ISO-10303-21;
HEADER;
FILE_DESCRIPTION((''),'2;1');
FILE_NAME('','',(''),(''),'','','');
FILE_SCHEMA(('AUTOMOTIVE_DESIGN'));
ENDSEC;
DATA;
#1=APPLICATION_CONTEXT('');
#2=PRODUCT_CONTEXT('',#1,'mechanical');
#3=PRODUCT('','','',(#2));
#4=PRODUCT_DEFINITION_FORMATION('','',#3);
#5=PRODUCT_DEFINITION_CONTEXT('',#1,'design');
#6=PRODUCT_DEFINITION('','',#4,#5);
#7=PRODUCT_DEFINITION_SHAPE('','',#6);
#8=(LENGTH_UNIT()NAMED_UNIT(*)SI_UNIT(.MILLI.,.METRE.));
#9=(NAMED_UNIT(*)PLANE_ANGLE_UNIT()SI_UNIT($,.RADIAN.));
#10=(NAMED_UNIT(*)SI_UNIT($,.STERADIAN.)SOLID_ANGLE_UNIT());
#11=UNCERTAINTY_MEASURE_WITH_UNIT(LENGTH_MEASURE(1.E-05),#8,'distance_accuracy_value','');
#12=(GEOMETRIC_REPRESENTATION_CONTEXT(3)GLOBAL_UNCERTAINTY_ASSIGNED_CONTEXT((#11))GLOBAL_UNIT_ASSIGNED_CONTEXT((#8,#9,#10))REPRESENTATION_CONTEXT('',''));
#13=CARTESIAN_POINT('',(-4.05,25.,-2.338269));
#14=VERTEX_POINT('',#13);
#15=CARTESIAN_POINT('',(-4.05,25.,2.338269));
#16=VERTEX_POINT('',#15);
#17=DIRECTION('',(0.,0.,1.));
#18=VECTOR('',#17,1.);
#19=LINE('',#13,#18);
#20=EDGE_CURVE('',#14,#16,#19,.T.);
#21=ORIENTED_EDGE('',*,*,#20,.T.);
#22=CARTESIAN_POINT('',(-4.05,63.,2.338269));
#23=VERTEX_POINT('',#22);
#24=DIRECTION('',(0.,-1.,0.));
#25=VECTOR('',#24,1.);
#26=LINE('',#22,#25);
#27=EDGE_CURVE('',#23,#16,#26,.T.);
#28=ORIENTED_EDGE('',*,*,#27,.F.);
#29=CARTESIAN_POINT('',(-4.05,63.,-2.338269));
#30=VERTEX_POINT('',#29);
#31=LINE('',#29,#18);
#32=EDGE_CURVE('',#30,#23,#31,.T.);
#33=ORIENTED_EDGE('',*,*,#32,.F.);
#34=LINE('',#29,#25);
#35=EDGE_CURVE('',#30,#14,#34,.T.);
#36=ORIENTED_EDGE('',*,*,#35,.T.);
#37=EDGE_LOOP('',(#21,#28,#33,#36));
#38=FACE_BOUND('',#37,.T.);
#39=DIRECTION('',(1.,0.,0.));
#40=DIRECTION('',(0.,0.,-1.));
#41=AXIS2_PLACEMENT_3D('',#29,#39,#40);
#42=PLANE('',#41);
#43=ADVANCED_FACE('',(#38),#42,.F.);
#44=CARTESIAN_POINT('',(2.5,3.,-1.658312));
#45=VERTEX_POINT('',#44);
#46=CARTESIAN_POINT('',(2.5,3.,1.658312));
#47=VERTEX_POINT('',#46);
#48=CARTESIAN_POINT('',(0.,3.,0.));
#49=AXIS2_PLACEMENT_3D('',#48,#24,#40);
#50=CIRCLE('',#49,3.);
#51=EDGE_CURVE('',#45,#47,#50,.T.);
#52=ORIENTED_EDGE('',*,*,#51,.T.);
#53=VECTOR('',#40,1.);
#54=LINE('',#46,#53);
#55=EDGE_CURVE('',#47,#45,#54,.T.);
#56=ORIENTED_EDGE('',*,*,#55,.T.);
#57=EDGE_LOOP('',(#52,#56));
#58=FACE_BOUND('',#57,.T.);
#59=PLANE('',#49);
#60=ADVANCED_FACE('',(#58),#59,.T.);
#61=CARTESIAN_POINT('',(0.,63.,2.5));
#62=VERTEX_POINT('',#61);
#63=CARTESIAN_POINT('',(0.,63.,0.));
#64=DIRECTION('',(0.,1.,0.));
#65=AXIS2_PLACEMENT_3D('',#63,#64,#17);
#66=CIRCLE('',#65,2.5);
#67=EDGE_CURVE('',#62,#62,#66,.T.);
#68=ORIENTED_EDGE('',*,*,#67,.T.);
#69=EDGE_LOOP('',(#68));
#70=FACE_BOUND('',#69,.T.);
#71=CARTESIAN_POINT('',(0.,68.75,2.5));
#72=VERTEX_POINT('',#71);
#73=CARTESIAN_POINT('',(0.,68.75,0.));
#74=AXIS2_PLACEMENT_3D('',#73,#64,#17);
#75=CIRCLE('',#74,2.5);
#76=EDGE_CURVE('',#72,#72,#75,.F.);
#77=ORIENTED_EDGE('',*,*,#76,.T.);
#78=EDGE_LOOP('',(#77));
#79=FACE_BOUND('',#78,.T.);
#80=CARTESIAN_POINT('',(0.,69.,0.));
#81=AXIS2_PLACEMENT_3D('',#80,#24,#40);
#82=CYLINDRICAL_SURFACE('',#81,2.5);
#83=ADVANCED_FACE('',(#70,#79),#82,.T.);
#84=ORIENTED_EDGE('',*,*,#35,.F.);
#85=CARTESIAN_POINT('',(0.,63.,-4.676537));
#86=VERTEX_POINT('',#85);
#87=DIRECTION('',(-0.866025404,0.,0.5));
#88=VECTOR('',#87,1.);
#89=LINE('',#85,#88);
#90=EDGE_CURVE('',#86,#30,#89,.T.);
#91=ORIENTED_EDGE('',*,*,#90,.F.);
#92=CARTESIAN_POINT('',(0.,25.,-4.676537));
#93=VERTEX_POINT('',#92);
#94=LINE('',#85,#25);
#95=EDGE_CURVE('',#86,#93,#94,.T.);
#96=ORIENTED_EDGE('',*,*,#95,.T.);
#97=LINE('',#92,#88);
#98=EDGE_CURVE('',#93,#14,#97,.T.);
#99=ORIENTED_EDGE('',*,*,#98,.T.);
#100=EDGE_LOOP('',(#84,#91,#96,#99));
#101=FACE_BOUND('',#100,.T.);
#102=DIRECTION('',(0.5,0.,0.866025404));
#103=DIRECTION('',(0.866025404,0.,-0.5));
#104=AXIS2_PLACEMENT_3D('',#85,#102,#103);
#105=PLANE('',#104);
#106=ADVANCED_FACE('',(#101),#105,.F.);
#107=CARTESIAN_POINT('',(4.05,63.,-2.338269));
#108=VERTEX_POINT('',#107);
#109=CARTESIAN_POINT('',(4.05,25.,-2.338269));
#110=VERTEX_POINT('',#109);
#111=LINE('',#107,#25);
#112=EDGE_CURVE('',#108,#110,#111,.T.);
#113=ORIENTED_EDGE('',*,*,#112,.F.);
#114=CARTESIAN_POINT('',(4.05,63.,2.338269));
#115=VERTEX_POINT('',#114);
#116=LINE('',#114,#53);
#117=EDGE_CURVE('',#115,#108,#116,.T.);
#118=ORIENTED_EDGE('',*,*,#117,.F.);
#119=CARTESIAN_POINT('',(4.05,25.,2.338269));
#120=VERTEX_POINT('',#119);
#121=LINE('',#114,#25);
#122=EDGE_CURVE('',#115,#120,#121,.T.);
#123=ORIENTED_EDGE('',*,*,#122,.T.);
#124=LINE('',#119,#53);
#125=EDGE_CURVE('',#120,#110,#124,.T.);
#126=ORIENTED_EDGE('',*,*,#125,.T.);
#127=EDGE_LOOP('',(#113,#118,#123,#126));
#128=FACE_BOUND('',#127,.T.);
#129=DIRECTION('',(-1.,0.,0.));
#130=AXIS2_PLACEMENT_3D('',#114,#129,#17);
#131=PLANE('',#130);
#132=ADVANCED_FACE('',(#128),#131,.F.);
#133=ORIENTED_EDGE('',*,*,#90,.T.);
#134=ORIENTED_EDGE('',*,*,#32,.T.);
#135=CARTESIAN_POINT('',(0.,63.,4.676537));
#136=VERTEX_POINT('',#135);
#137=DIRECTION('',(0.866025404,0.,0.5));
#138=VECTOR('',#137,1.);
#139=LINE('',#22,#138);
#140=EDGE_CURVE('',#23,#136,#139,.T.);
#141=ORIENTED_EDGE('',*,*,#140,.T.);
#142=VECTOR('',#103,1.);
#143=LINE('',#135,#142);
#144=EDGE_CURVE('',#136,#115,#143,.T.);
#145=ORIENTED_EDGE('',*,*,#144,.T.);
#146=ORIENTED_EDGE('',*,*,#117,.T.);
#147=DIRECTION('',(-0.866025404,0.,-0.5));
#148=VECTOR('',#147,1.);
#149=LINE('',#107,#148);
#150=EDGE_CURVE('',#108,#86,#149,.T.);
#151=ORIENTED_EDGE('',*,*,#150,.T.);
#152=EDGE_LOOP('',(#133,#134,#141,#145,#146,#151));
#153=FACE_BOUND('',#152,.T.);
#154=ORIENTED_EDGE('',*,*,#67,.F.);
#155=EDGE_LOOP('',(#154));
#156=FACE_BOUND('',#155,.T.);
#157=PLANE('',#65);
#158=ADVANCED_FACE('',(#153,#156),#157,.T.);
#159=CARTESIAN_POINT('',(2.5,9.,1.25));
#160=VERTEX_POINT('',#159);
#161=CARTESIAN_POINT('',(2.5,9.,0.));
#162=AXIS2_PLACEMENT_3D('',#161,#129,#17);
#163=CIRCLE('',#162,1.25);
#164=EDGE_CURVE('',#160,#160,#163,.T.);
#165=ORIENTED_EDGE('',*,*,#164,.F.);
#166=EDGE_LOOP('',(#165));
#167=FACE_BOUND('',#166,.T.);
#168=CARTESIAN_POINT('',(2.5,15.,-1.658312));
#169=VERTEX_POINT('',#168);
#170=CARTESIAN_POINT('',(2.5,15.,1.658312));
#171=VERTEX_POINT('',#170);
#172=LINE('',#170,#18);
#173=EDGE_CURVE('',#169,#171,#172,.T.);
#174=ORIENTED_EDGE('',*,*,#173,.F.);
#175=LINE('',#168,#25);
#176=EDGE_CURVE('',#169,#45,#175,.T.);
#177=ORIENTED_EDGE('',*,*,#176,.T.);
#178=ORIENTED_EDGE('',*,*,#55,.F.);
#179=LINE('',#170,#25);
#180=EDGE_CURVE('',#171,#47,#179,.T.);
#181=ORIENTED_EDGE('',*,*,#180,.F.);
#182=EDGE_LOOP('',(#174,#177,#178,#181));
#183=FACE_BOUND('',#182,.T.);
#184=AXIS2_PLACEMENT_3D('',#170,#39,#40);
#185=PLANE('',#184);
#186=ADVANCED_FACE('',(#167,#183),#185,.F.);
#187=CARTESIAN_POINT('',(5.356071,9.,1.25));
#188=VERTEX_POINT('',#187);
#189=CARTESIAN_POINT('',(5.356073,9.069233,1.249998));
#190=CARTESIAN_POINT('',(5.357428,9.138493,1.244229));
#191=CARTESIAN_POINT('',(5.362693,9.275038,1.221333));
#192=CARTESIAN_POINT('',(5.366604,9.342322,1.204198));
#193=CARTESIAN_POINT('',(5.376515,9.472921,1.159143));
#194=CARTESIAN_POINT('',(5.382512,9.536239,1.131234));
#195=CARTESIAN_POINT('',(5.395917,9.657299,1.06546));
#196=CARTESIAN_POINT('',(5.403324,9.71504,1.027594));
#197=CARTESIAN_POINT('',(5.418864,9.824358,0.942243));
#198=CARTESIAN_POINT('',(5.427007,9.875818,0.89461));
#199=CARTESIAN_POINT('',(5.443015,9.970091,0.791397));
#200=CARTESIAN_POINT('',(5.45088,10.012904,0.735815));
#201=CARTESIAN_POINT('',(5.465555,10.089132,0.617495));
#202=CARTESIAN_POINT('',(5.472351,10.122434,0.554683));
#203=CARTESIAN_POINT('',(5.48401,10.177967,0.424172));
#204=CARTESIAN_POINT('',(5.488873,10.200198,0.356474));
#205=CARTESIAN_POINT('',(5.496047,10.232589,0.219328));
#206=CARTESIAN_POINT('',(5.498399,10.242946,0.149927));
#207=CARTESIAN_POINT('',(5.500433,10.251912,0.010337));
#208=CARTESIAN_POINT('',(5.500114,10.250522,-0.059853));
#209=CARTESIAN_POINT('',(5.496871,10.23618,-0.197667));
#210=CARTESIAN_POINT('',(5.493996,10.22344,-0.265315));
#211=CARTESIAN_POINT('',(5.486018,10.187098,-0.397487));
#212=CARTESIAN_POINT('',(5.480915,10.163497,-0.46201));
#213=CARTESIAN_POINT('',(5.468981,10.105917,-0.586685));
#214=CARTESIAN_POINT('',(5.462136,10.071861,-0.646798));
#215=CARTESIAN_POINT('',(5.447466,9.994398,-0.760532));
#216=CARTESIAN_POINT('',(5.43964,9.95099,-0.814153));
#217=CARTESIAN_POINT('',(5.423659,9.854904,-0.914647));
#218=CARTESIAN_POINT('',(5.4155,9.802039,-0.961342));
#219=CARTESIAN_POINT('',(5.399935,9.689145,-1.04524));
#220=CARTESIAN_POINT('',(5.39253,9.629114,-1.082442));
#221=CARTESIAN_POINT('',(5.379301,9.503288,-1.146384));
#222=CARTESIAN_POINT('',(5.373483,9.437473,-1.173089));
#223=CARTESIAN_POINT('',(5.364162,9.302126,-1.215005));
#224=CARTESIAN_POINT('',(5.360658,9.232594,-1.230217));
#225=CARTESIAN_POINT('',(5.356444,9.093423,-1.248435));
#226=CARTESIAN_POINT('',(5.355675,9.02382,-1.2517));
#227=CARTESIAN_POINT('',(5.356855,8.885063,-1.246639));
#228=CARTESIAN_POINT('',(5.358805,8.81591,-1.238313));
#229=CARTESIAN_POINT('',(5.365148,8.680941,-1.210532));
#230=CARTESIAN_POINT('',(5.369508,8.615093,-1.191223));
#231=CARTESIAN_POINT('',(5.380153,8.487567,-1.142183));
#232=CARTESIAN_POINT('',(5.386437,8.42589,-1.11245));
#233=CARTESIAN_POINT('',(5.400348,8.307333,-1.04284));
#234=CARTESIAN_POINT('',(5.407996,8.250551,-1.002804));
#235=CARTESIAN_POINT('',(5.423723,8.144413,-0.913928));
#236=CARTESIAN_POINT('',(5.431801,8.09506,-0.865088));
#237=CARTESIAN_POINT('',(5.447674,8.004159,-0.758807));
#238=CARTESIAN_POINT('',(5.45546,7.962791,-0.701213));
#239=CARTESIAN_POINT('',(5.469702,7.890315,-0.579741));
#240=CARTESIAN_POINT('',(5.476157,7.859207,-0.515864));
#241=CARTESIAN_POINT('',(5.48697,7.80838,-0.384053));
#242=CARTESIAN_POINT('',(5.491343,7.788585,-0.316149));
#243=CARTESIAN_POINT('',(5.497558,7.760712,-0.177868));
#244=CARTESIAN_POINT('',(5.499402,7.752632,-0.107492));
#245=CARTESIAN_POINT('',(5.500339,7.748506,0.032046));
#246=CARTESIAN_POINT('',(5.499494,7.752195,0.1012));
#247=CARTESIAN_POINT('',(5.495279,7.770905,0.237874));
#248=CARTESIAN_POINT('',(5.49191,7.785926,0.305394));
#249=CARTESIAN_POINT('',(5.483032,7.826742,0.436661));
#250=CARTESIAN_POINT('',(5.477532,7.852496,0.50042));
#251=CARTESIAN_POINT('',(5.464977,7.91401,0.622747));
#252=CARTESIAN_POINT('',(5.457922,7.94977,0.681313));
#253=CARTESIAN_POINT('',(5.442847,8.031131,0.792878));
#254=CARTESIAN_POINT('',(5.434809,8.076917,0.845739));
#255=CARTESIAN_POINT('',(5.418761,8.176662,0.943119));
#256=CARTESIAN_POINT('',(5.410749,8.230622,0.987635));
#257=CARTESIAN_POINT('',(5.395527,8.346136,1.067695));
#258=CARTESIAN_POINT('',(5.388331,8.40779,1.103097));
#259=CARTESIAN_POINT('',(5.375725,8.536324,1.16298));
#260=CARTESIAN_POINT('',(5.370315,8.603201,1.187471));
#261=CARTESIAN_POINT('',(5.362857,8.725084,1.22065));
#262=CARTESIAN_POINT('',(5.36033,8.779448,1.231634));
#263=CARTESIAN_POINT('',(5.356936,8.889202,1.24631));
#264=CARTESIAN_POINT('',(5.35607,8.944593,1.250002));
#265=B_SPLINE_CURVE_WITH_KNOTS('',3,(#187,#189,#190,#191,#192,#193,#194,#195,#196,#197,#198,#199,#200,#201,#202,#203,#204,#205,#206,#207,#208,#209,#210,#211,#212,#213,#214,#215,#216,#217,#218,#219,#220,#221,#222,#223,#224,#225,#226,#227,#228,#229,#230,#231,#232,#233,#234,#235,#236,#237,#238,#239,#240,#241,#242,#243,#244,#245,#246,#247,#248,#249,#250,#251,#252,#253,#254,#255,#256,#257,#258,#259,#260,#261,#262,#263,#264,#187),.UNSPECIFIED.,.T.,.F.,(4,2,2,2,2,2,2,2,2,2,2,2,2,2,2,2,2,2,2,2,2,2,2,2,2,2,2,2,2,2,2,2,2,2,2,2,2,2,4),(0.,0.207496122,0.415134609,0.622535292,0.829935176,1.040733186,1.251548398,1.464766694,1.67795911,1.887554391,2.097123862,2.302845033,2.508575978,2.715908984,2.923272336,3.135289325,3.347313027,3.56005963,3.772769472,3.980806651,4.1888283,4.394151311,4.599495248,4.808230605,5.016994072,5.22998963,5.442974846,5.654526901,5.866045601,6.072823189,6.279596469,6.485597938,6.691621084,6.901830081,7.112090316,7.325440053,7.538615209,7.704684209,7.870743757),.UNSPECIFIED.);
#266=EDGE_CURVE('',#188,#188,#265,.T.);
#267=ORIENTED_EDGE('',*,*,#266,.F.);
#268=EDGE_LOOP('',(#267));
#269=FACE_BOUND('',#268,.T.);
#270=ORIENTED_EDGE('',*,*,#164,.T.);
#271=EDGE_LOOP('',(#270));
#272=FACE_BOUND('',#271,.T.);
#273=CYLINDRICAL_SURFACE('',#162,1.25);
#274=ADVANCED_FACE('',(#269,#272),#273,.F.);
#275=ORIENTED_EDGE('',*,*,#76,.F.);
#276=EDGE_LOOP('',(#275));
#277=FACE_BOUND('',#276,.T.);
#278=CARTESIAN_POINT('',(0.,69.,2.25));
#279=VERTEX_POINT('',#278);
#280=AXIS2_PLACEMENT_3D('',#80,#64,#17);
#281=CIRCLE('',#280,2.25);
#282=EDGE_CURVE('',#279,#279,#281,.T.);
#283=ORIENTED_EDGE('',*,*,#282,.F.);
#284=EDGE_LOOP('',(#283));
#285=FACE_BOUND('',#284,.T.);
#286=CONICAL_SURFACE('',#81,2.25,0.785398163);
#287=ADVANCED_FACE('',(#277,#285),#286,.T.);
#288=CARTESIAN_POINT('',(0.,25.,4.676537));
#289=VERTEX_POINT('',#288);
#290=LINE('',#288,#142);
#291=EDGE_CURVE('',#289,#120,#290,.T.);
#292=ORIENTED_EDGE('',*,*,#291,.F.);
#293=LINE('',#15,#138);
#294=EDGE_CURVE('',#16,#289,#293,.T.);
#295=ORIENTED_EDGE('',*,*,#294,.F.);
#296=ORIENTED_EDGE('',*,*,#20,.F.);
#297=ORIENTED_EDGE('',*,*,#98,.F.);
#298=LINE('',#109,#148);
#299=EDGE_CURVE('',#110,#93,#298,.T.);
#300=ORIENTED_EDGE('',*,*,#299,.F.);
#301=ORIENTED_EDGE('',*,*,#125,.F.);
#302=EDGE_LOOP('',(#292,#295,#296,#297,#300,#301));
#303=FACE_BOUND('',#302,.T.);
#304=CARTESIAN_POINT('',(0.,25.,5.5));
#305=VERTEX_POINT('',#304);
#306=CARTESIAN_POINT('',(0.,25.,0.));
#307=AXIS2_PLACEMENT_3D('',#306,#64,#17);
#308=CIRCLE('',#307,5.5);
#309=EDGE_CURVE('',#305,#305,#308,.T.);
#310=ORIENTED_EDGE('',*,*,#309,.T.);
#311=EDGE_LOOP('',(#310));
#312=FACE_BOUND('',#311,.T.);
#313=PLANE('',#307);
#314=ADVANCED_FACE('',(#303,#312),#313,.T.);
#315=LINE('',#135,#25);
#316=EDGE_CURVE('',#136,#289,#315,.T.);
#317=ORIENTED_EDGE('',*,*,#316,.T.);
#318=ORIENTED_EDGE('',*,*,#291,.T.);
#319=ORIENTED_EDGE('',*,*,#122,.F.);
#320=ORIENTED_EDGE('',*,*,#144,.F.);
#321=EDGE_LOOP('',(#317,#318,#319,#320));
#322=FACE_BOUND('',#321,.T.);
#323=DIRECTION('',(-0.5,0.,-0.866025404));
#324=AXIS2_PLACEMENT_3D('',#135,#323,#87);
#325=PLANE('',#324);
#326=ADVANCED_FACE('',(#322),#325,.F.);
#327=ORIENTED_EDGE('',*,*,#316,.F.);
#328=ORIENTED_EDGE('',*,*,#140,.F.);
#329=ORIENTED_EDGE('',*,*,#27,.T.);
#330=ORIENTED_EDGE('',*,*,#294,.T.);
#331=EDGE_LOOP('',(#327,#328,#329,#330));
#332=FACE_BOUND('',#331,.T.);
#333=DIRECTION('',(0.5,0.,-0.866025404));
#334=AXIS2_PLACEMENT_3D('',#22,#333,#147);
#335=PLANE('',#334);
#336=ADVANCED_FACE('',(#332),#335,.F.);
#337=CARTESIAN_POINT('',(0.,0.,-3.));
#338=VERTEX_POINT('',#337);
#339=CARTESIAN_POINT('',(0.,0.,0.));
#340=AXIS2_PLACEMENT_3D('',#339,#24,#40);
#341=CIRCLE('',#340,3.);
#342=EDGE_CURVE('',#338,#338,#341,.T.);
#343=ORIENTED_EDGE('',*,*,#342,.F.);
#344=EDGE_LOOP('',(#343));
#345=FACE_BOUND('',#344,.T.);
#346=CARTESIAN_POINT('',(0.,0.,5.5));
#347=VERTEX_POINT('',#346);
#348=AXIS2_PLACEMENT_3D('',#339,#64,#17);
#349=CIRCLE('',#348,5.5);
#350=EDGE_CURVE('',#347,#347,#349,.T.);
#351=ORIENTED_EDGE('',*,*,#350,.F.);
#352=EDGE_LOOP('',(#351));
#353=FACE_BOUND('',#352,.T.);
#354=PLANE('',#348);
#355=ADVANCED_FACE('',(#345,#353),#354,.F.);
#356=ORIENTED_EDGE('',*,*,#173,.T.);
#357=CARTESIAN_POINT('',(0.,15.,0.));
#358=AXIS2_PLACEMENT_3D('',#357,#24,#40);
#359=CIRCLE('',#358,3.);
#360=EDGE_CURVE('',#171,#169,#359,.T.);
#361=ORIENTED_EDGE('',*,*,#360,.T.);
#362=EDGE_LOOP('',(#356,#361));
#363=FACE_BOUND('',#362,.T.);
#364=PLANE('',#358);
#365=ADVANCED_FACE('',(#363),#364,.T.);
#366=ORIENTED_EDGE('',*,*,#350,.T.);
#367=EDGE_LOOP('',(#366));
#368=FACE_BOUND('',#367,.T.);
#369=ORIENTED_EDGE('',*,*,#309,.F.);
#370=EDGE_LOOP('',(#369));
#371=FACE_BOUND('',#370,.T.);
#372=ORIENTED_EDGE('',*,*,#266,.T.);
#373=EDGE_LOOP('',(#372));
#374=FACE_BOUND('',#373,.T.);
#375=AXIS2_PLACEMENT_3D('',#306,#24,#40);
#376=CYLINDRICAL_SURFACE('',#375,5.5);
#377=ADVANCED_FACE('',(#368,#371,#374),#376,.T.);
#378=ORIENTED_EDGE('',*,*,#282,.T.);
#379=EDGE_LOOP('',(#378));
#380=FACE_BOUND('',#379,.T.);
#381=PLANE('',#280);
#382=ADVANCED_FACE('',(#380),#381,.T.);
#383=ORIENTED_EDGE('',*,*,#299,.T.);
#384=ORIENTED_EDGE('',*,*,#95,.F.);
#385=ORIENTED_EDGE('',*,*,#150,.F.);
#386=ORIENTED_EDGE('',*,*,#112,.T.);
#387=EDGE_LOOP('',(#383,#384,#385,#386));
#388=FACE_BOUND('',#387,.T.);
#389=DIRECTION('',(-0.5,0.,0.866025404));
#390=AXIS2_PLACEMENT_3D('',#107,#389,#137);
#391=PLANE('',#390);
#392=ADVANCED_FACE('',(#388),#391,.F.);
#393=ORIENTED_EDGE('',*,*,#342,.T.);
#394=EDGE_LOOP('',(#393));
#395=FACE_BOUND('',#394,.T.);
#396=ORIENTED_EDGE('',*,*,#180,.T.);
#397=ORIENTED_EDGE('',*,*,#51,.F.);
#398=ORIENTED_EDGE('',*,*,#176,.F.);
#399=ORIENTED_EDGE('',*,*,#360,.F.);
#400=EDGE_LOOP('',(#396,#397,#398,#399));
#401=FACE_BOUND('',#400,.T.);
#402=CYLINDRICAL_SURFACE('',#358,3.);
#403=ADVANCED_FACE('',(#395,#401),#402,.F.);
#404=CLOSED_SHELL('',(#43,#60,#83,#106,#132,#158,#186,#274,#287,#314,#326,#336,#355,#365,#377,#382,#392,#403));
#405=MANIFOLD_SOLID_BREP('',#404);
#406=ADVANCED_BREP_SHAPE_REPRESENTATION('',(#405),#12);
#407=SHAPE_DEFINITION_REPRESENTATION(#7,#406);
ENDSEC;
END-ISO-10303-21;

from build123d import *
from build123d.topology import SkipClean

# Parameters (mm, degrees)
SKETCH_1_R          = 5.5
EXTRUDE_1_DEPTH     = 25
EXTRUDE_2_DEPTH     = 38
SKETCH_3_R          = 2.5
EXTRUDE_4_DEPTH     = 6
CHAMFER_1_SIZE      = 0.25
CUT_EXTRUDE_1_DEPTH = 15
SKETCH_6_R          = 3
CUT_EXTRUDE_2_DEPTH = 3
M3X0_5_1_D          = 2.5
M3X0_5_1_DEPTH      = 3


with BuildPart() as part:
    # Sketch 1 → Extrude 1 (new body)
    with BuildSketch(Plane(origin=(0, 0, 0), x_dir=(1, 0, 0), z_dir=(0, 1, 0))):
        with Locations(Location((0, 0, 0), (0, 0, 270))):  # turned: the seam where the file's is
            Circle(SKETCH_1_R)
    extrude(amount=EXTRUDE_1_DEPTH)

    # Sketch 2 → Extrude 2 (add)
    with BuildSketch(Plane(origin=(0, 25, 0), x_dir=(1, 0, 0), z_dir=(0, 1, 0))):
        Polygon((0, -4.67653718), (4.05, -2.33826859), (4.05, 2.33826859), (0, 4.67653718), (-4.05, 2.33826859), (-4.05, -2.33826859), align=None)
    extrude(amount=EXTRUDE_2_DEPTH)

    # Sketch 3 → Extrude 4 (add)
    with BuildSketch(Plane(origin=(0, 63, 0), x_dir=(1, 0, 0), z_dir=(0, 1, 0))):
        with Locations(Location((0, 0, 0), (0, 0, 270))):  # turned: the seam where the file's is
            Circle(SKETCH_3_R)
    extrude(amount=EXTRUDE_4_DEPTH)

    # Chamfer 1
    chamfer_1_edges = [part.edges().sort_by_distance(p)[0] for p in [
        (0, 69, -2.5),
    ]]
    chamfer(chamfer_1_edges, length=CHAMFER_1_SIZE)

    # Sketch 5 → Cut-Extrude 1 (cut)
    with BuildSketch(Plane.XZ):
        with BuildLine():
            Line((2.5, 1.658312395), (2.5, -1.658312395))
            ThreePointArc((2.5, -1.658312395), (-3, 0), (2.5, 1.658312395))
        make_face()
    extrude(amount=-CUT_EXTRUDE_1_DEPTH, mode=Mode.SUBTRACT)

    # Sketch 6 → Cut-Extrude 2 (cut)
    with SkipClean():  # keep this step's faces unmerged: merging them makes the solid invalid here
        with BuildSketch(Plane.XZ):
            with Locations(Location((0, 0, 0), (0, 0, 270))):  # turned: the seam where the file's is
                Circle(SKETCH_6_R)
        extrude(amount=-CUT_EXTRUDE_2_DEPTH, mode=Mode.SUBTRACT)

    # M3x0.5 _1
    with Locations(Plane.ZY.offset(-2.5)):
        with Locations((0, 9)):
            Hole(M3X0_5_1_D / 2, depth=M3X0_5_1_DEPTH)


solid = part.part
